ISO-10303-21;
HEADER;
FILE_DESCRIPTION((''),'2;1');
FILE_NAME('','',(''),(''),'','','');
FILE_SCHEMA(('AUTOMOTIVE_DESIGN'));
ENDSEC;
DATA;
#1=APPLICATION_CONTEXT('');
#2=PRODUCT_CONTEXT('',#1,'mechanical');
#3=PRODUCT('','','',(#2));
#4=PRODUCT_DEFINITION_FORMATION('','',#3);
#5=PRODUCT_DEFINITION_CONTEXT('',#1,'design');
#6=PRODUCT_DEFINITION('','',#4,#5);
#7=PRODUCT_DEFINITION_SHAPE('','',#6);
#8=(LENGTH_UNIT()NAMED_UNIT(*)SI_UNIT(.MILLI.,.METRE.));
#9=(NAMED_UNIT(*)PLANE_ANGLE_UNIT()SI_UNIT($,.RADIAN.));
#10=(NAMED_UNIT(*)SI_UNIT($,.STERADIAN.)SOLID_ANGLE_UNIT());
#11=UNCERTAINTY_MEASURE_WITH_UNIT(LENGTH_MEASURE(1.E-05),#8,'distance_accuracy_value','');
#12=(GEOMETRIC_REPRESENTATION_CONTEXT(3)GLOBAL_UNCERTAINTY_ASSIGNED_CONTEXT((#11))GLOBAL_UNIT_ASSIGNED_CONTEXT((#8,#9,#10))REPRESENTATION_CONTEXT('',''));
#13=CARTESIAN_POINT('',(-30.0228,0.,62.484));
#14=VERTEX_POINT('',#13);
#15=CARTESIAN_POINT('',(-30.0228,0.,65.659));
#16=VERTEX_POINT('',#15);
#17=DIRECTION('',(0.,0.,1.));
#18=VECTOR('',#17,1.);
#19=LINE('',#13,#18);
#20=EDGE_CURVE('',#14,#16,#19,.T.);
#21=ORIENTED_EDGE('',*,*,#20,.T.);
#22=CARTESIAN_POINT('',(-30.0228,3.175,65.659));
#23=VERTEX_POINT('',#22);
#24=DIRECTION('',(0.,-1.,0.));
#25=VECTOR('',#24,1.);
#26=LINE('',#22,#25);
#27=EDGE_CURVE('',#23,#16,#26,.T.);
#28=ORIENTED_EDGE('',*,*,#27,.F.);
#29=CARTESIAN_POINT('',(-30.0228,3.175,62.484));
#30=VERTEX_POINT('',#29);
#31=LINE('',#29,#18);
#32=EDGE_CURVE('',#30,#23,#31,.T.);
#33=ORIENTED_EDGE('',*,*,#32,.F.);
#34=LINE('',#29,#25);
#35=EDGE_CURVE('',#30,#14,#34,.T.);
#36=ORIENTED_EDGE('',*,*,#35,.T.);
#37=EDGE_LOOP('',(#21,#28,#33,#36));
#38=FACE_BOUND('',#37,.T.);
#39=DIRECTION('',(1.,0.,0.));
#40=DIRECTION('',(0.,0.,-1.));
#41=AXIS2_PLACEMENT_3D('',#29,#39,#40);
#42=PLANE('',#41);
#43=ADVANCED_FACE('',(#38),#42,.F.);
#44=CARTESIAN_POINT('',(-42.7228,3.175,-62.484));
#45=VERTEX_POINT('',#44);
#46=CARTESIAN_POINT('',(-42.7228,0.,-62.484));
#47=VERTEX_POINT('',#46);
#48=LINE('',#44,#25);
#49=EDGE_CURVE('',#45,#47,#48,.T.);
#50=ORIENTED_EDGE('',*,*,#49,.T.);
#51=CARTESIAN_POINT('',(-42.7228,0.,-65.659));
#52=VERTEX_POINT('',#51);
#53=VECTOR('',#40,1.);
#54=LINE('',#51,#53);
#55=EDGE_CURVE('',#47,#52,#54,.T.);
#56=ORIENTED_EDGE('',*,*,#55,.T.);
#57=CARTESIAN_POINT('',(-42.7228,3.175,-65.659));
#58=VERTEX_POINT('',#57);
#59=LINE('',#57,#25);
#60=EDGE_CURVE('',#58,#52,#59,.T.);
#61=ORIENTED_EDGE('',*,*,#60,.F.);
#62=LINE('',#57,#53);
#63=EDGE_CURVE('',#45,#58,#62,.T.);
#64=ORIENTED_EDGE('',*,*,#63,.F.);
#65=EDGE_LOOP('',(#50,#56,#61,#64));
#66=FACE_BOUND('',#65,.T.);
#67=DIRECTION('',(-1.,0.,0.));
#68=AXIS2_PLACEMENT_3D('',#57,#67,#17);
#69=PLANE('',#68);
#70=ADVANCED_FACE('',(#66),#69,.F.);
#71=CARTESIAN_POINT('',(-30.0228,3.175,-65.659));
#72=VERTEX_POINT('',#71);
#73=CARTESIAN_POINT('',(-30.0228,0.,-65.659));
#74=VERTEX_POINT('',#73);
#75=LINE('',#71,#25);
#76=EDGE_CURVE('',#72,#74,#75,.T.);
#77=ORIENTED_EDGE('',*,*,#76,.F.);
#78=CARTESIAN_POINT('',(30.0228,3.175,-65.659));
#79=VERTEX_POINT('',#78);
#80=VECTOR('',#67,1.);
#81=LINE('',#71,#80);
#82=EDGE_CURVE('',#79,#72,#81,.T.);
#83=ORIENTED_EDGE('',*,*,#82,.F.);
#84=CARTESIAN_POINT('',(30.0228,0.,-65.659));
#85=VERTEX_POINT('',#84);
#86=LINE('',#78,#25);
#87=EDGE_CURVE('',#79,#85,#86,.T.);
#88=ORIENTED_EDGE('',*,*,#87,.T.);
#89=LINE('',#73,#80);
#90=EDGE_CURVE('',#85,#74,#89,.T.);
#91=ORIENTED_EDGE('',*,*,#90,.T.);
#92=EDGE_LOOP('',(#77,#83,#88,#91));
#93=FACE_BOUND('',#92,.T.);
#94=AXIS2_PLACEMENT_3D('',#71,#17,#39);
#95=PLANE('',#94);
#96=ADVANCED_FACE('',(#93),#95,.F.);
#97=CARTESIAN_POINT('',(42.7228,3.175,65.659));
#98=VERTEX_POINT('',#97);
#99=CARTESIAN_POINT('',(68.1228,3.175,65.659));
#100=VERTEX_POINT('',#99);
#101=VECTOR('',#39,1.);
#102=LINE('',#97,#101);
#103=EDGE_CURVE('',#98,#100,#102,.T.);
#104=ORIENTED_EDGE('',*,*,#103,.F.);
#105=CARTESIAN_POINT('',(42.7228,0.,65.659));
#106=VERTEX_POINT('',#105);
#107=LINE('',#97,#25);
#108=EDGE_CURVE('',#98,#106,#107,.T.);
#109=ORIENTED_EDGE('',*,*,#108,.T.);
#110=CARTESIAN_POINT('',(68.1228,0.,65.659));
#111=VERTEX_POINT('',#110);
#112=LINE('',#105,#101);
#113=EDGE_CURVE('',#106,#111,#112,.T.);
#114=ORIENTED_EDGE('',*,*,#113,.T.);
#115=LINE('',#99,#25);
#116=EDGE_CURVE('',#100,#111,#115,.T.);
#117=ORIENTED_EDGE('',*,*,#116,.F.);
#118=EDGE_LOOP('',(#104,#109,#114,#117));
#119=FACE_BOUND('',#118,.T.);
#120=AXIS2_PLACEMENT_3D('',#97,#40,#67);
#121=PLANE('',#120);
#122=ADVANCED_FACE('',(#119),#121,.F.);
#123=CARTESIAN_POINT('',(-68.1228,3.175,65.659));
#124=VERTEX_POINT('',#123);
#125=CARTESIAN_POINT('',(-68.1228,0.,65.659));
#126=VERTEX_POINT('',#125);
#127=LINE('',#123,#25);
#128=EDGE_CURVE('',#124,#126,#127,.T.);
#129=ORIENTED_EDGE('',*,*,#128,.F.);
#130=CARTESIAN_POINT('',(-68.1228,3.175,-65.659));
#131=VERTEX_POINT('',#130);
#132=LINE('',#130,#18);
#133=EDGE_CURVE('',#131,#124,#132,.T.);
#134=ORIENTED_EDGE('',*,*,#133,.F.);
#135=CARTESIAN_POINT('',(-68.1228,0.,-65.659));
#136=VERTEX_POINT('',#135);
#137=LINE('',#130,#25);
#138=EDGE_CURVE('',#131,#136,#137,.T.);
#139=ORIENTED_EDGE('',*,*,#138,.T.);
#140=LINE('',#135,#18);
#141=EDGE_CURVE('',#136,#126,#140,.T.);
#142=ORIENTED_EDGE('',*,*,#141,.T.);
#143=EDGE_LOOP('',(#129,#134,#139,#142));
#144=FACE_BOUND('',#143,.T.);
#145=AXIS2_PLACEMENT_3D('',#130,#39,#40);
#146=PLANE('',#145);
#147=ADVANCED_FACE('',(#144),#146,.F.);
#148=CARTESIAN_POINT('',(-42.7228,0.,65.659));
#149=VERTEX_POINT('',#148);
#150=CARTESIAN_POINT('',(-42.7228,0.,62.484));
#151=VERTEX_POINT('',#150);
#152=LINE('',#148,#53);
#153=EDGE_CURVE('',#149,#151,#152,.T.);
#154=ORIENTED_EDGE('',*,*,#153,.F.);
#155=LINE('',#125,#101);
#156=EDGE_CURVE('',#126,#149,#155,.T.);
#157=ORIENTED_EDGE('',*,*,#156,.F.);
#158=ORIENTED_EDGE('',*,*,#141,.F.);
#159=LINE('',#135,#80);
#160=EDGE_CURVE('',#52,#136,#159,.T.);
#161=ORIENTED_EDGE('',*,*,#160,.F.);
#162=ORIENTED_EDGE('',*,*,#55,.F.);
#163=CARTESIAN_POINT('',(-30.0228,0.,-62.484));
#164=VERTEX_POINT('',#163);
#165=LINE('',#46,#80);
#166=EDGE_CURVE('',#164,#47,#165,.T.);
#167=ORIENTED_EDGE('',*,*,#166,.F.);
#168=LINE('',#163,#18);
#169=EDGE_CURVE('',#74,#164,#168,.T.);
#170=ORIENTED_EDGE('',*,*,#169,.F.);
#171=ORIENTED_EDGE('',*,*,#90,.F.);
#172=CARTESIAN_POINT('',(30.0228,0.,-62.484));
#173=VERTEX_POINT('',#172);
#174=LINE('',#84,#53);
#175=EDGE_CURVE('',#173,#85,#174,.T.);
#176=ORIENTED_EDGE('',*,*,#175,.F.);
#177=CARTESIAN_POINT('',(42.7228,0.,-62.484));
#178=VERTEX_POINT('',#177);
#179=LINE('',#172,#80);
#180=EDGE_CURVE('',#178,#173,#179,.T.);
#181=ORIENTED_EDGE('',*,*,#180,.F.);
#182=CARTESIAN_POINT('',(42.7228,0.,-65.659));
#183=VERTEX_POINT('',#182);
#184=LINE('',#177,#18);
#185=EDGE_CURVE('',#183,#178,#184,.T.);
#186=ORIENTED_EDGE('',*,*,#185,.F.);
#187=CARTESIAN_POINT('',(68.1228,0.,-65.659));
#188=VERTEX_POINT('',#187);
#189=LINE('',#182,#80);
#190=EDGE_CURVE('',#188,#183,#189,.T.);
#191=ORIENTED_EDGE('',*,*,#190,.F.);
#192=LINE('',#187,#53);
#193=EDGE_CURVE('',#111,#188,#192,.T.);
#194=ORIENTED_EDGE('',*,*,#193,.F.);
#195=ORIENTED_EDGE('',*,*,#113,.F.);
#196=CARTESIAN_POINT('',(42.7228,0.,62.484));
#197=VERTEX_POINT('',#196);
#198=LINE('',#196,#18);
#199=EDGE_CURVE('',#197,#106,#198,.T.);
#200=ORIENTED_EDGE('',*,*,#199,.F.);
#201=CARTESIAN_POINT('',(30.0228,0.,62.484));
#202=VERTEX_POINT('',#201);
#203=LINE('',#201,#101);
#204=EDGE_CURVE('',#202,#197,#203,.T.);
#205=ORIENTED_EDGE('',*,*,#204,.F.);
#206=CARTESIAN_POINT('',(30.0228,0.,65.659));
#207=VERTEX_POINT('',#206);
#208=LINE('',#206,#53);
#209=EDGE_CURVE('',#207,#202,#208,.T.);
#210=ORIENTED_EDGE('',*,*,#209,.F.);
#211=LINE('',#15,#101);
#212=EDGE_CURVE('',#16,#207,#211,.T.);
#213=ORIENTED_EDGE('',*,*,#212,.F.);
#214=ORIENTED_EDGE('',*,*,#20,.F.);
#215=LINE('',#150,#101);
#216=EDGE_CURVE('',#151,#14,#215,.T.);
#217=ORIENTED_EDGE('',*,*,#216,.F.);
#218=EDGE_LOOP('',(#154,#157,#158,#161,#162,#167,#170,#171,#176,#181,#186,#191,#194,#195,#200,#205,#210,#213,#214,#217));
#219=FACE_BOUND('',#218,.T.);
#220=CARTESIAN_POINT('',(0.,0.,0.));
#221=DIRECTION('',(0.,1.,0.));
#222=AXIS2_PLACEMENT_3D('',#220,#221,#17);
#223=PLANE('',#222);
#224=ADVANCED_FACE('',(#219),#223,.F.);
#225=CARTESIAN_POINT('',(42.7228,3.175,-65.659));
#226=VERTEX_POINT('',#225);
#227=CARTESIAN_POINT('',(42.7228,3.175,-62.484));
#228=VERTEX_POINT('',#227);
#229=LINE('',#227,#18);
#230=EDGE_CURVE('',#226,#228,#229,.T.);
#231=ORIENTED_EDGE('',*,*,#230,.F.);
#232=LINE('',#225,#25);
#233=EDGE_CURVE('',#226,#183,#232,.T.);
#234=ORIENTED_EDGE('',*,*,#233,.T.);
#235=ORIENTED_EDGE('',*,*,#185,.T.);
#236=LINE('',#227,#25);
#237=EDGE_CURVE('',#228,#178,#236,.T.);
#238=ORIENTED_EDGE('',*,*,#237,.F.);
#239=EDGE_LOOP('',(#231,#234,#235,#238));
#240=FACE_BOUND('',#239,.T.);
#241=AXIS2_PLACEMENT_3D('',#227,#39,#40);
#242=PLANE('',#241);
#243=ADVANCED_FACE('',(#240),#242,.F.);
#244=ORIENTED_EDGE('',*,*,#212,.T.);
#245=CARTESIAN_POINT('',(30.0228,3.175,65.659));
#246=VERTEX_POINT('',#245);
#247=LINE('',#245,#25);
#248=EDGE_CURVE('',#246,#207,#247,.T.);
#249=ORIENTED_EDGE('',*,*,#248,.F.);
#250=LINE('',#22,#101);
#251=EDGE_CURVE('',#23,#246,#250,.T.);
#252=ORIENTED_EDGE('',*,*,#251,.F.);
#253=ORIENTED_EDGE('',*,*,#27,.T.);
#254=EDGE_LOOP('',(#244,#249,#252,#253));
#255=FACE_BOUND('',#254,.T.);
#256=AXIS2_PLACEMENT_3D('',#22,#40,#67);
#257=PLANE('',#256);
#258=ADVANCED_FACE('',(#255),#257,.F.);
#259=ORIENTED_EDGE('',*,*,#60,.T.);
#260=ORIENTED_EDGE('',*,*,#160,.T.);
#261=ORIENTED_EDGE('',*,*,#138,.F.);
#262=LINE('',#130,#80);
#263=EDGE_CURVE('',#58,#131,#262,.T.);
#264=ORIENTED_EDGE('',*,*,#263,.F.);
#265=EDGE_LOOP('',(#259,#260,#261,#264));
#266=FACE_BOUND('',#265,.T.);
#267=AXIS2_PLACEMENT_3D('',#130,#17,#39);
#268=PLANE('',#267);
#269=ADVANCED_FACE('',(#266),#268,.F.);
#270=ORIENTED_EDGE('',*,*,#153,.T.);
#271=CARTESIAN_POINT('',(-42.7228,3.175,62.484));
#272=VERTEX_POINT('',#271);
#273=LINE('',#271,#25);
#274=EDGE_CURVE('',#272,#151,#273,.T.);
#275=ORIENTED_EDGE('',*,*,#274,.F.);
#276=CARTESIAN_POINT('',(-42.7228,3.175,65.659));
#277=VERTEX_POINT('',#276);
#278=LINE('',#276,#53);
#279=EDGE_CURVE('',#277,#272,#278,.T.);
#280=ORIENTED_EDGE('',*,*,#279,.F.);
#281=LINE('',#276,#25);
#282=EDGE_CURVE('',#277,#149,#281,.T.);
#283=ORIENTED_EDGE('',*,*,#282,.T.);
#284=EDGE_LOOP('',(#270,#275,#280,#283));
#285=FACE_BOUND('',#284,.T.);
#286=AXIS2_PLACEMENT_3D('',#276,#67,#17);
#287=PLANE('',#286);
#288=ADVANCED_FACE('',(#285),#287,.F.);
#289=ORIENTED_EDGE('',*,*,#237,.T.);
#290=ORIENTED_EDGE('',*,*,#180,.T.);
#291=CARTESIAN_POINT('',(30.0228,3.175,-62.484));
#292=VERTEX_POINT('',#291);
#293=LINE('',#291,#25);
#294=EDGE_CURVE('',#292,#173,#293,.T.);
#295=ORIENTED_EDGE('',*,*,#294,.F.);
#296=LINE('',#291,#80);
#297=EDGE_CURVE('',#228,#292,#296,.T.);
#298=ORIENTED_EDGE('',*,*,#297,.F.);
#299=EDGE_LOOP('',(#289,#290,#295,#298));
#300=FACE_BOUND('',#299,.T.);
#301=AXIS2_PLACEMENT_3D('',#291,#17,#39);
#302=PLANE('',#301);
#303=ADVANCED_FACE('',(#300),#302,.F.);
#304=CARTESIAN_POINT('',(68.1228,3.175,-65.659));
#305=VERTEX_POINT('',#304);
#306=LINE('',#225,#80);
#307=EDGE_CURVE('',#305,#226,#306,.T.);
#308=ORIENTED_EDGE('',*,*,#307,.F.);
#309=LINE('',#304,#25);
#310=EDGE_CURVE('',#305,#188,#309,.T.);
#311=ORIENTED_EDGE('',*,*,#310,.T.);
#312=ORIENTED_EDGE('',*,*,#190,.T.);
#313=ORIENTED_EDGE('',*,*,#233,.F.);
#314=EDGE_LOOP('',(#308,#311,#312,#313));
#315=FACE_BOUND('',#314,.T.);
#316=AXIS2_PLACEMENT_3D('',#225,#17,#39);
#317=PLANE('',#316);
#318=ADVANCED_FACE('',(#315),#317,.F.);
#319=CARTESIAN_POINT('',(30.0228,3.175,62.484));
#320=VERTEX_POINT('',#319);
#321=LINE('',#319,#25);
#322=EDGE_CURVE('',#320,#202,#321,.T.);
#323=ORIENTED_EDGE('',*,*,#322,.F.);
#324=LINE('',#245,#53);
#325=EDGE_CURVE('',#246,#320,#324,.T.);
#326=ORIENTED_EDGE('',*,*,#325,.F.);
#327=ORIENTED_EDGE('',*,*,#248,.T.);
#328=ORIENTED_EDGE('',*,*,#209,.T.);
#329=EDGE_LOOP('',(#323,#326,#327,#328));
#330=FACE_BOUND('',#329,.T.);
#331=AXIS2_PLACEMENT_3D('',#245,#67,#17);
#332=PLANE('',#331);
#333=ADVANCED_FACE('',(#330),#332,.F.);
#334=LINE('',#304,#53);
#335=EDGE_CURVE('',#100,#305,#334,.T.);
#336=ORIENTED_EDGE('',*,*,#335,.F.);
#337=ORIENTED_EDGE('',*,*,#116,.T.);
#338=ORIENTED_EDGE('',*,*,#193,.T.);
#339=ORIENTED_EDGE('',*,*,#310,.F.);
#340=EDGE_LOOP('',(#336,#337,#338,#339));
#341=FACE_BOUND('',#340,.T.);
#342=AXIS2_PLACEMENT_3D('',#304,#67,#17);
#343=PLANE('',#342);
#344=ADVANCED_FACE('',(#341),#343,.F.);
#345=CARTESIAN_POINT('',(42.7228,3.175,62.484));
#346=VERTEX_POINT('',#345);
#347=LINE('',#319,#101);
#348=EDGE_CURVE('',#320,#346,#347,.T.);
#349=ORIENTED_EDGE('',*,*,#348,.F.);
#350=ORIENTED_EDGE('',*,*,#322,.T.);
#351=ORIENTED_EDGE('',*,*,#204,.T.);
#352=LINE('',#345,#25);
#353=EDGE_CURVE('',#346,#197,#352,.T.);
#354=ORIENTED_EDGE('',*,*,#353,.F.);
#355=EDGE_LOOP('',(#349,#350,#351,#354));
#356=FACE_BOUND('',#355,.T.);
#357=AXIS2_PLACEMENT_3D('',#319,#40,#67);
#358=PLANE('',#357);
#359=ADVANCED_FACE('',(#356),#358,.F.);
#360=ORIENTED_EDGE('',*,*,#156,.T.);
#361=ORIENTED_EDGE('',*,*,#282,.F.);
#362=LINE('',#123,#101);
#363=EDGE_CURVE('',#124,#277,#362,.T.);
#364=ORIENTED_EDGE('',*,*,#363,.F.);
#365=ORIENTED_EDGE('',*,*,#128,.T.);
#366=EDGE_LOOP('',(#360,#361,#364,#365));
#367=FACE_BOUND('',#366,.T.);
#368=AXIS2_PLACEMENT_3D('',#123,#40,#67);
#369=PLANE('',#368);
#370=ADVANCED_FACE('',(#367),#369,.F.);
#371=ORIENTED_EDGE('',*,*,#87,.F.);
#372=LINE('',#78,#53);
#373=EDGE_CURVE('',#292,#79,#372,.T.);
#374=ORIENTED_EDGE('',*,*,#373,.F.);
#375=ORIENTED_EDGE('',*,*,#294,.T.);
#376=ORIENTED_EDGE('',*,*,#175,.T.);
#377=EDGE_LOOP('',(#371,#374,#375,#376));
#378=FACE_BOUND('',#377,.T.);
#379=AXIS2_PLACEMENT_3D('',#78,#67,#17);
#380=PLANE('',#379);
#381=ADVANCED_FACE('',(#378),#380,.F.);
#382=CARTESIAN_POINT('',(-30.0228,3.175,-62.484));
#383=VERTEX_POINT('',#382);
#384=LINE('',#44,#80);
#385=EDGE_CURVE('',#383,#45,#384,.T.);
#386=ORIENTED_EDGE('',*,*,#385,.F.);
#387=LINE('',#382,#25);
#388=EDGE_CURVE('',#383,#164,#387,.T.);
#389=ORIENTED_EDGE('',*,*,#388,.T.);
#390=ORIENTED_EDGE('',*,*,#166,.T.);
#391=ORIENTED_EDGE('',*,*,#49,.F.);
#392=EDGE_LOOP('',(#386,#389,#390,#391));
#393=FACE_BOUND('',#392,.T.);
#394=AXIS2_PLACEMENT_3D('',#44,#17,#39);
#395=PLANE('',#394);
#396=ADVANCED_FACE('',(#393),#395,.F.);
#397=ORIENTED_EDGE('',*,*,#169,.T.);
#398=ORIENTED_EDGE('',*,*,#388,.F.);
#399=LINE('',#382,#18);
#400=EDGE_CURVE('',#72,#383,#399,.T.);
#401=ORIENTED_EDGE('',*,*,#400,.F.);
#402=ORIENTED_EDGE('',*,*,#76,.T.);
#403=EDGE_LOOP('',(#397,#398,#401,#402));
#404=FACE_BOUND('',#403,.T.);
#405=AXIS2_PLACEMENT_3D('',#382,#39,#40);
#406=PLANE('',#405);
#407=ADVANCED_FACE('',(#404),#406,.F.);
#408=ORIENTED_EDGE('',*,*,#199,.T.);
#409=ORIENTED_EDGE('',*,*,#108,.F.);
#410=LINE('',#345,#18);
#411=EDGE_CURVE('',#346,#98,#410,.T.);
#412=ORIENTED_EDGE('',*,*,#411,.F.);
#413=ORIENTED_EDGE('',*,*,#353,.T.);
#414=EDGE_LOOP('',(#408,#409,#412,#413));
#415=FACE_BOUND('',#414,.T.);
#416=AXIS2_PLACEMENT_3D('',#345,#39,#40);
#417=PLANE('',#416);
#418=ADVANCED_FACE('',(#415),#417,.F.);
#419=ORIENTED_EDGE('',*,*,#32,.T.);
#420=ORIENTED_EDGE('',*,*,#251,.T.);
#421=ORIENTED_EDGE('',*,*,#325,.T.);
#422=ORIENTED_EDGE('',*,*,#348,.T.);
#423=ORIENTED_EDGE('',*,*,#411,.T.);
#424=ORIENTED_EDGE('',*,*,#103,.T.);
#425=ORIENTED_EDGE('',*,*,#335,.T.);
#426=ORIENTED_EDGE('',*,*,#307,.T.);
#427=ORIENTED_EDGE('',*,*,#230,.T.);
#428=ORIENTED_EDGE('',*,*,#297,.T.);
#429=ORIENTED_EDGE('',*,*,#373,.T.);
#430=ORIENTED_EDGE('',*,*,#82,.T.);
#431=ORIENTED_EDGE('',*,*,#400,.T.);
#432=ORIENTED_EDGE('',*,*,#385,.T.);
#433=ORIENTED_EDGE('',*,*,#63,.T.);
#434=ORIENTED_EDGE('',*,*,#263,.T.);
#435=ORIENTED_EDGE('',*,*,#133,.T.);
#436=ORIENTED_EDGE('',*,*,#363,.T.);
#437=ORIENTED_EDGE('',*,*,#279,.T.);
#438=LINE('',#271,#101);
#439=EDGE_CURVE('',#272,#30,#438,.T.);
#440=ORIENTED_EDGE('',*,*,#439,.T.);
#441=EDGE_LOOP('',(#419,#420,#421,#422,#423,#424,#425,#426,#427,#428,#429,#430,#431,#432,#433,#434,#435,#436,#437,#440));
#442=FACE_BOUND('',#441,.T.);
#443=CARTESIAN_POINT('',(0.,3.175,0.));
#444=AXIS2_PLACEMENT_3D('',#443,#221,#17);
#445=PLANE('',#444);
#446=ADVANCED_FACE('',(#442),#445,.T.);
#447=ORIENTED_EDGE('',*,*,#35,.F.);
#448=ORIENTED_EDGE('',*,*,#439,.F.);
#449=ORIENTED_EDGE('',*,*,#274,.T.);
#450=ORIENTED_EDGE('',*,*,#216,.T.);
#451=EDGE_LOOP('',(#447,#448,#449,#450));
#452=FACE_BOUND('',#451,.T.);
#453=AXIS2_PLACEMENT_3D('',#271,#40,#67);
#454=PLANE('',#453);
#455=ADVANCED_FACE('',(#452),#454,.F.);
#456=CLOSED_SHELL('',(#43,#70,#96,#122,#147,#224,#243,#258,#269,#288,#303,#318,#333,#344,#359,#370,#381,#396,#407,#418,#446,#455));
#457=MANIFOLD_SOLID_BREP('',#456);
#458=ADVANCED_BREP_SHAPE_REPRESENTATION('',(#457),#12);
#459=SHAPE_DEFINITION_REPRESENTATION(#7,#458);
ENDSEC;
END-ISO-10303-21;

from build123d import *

# Parameters (mm, degrees)
BOSS_EXTRUDE1_DEPTH = 3.175


with BuildPart() as part:
    # Sketch1 → Boss-Extrude1 (new body)
    with BuildSketch(Plane(origin=(0, 0, 0), x_dir=(1, 0, 0), z_dir=(0, 1, 0))):
        Polygon((-68.1228, 65.659), (-42.7228, 65.659), (-42.7228, 62.484), (-30.0228, 62.484), (-30.0228, 65.659), (30.0228, 65.659), (30.0228, 62.484), (42.7228, 62.484), (42.7228, 65.659), (68.1228, 65.659), (68.1228, -65.659), (42.7228, -65.659), (42.7228, -62.484), (30.0228, -62.484), (30.0228, -65.659), (-30.0228, -65.659), (-30.0228, -62.484), (-42.7228, -62.484), (-42.7228, -65.659), (-68.1228, -65.659), align=None)
    extrude(amount=BOSS_EXTRUDE1_DEPTH)


solid = part.part
